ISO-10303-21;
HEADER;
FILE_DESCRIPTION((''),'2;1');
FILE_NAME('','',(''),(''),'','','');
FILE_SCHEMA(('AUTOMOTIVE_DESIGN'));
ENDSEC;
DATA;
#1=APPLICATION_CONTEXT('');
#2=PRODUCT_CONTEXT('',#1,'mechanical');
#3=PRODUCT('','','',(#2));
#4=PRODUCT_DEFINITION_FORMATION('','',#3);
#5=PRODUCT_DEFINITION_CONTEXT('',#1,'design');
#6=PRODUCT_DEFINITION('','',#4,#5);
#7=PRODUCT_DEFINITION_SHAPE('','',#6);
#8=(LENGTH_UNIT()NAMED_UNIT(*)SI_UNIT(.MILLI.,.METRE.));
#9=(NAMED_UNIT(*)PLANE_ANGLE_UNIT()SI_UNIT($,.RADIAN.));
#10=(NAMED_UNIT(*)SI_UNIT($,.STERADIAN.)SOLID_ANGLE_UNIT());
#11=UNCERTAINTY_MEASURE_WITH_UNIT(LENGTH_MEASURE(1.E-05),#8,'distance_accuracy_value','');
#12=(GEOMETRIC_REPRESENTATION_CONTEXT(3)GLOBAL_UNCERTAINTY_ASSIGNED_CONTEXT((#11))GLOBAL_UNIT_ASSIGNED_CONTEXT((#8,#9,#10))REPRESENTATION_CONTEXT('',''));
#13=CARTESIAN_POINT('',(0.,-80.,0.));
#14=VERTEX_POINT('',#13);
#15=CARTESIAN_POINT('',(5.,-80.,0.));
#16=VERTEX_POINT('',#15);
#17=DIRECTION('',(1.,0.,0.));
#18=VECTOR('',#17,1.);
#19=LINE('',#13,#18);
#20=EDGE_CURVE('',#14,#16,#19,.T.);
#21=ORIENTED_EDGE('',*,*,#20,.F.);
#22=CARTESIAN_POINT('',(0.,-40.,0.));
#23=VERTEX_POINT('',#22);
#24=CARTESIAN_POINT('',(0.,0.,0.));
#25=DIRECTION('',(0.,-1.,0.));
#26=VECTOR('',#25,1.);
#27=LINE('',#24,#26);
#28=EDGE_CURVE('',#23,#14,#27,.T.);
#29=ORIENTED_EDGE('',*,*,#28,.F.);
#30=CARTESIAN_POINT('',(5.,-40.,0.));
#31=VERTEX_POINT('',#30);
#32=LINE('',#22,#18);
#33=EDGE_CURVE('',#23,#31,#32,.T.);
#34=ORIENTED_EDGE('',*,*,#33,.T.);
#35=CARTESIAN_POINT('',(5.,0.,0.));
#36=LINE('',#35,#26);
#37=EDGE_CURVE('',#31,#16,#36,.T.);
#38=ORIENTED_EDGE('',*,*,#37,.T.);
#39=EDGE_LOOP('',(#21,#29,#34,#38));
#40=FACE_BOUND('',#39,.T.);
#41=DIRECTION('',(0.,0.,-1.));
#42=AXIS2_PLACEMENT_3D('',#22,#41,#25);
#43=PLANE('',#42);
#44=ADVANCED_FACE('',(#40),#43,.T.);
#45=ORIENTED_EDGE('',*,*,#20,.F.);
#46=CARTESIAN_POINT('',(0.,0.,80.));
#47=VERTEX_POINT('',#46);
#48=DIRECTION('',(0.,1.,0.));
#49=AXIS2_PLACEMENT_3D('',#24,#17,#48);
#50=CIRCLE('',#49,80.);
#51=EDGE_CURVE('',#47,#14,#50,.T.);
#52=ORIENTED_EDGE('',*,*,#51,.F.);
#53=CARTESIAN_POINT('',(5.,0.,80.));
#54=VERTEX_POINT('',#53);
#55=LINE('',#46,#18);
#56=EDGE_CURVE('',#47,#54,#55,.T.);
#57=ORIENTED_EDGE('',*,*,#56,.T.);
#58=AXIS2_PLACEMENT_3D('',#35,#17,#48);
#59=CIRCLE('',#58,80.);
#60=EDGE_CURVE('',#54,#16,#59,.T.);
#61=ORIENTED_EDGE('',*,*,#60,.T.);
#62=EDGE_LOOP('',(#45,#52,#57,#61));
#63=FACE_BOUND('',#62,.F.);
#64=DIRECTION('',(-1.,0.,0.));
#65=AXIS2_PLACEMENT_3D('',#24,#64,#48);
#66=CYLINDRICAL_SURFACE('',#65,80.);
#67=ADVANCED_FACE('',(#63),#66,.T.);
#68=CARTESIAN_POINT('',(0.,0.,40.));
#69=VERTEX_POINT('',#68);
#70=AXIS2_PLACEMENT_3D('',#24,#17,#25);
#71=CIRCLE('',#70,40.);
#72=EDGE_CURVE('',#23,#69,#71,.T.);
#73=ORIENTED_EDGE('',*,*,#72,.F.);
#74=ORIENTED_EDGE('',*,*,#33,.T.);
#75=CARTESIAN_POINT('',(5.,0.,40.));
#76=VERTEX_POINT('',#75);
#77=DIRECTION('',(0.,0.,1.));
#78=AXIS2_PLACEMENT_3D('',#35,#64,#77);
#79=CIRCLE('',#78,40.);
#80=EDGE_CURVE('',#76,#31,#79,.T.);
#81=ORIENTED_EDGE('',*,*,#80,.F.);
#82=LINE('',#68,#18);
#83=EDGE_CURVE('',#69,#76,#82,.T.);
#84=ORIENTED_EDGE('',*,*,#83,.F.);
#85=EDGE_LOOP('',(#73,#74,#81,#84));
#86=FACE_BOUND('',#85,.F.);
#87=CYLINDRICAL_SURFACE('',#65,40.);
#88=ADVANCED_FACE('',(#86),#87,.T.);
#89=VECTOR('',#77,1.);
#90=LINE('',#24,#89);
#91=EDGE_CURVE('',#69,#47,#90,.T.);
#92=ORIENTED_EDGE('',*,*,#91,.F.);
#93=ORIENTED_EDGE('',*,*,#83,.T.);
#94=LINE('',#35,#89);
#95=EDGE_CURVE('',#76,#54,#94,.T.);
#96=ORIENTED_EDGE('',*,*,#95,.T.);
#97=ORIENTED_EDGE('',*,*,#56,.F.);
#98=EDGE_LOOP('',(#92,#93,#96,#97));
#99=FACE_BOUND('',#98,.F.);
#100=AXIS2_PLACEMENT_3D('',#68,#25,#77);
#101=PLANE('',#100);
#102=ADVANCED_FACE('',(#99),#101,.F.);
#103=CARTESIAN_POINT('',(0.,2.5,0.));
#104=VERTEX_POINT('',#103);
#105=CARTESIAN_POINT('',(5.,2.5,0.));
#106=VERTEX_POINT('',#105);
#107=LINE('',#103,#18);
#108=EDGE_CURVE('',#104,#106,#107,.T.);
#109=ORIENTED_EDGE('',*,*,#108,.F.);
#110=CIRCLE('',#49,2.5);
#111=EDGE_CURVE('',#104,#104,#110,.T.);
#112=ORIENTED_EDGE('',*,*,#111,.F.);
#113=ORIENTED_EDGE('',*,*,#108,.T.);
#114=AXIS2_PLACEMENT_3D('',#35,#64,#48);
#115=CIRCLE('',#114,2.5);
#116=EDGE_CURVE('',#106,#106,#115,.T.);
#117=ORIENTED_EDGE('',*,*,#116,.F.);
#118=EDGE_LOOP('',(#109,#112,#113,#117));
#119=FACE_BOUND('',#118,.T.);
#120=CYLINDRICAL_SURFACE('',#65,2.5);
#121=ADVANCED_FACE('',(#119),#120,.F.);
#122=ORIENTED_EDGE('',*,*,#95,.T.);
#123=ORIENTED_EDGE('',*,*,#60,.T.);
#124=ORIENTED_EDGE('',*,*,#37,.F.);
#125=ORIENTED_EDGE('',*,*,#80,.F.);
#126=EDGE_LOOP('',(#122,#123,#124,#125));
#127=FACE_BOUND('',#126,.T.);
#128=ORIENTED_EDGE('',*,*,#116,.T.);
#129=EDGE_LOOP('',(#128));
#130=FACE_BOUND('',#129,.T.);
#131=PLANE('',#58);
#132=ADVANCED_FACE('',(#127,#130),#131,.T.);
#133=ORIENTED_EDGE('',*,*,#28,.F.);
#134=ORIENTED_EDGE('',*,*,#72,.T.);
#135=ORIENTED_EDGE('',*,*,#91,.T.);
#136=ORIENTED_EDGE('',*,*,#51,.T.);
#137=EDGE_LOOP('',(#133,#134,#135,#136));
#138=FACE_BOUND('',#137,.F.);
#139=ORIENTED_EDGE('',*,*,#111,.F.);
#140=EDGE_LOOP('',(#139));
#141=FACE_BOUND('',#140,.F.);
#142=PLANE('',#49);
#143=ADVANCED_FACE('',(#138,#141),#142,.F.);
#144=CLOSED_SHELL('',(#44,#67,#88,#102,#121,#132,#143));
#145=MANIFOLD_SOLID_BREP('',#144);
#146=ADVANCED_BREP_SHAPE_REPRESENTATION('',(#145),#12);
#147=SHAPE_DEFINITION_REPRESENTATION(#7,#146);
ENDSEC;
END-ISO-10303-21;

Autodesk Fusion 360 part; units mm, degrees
sketch "Obturator" plane through (0, 0, 0) normal (1, 0, 0) x (0, 1, 0)
  circle A0 centre (0, 0) radius 80
  line L0 (85, 85) -> (-85, 85)
  line L1 (-85, 85) -> (-85, -85)
  line L2 (-85, -85) -> (85, -85)
  line L3 (85, -85) -> (85, 85)
  line L4 (85, 85) -> (-85, -85) construction
  line L5 (-85, 85) -> (85, -85) construction
  line L6 (-55, 55) -> (-30.5, 55)
  line L7 (-30.5, 55) -> (-30.5, 36)
  line L8 (-30.5, 36) -> (-55, 36)
  line L9 (-55, 36) -> (-55, 55)
  circle A1 centre (0, 0) radius 40
  line L10 (0, 0) -> (0, 80)
  line L11 (0, 0) -> (-80, 0)
  circle A2 centre (0, 0) radius 2.5
  dimension "d1" = 160
  dimension "d2" = 170
  dimension "d3" = 170
  dimension "d4" = 24.5
  dimension "d5" = 19
  dimension "d6" = 30
  dimension "d7" = 30
  dimension "d8" = 80
  dimension "d9" = 5
extrude "Extrude1" add sketch "Obturator" along normal blind 5 contours A0 A1 L10 L11 | A1 L10 L11 A2 | A1 L10 L11 A2 | L6 L7 L8 L9 picked at (-15.8593, 57.9262)
